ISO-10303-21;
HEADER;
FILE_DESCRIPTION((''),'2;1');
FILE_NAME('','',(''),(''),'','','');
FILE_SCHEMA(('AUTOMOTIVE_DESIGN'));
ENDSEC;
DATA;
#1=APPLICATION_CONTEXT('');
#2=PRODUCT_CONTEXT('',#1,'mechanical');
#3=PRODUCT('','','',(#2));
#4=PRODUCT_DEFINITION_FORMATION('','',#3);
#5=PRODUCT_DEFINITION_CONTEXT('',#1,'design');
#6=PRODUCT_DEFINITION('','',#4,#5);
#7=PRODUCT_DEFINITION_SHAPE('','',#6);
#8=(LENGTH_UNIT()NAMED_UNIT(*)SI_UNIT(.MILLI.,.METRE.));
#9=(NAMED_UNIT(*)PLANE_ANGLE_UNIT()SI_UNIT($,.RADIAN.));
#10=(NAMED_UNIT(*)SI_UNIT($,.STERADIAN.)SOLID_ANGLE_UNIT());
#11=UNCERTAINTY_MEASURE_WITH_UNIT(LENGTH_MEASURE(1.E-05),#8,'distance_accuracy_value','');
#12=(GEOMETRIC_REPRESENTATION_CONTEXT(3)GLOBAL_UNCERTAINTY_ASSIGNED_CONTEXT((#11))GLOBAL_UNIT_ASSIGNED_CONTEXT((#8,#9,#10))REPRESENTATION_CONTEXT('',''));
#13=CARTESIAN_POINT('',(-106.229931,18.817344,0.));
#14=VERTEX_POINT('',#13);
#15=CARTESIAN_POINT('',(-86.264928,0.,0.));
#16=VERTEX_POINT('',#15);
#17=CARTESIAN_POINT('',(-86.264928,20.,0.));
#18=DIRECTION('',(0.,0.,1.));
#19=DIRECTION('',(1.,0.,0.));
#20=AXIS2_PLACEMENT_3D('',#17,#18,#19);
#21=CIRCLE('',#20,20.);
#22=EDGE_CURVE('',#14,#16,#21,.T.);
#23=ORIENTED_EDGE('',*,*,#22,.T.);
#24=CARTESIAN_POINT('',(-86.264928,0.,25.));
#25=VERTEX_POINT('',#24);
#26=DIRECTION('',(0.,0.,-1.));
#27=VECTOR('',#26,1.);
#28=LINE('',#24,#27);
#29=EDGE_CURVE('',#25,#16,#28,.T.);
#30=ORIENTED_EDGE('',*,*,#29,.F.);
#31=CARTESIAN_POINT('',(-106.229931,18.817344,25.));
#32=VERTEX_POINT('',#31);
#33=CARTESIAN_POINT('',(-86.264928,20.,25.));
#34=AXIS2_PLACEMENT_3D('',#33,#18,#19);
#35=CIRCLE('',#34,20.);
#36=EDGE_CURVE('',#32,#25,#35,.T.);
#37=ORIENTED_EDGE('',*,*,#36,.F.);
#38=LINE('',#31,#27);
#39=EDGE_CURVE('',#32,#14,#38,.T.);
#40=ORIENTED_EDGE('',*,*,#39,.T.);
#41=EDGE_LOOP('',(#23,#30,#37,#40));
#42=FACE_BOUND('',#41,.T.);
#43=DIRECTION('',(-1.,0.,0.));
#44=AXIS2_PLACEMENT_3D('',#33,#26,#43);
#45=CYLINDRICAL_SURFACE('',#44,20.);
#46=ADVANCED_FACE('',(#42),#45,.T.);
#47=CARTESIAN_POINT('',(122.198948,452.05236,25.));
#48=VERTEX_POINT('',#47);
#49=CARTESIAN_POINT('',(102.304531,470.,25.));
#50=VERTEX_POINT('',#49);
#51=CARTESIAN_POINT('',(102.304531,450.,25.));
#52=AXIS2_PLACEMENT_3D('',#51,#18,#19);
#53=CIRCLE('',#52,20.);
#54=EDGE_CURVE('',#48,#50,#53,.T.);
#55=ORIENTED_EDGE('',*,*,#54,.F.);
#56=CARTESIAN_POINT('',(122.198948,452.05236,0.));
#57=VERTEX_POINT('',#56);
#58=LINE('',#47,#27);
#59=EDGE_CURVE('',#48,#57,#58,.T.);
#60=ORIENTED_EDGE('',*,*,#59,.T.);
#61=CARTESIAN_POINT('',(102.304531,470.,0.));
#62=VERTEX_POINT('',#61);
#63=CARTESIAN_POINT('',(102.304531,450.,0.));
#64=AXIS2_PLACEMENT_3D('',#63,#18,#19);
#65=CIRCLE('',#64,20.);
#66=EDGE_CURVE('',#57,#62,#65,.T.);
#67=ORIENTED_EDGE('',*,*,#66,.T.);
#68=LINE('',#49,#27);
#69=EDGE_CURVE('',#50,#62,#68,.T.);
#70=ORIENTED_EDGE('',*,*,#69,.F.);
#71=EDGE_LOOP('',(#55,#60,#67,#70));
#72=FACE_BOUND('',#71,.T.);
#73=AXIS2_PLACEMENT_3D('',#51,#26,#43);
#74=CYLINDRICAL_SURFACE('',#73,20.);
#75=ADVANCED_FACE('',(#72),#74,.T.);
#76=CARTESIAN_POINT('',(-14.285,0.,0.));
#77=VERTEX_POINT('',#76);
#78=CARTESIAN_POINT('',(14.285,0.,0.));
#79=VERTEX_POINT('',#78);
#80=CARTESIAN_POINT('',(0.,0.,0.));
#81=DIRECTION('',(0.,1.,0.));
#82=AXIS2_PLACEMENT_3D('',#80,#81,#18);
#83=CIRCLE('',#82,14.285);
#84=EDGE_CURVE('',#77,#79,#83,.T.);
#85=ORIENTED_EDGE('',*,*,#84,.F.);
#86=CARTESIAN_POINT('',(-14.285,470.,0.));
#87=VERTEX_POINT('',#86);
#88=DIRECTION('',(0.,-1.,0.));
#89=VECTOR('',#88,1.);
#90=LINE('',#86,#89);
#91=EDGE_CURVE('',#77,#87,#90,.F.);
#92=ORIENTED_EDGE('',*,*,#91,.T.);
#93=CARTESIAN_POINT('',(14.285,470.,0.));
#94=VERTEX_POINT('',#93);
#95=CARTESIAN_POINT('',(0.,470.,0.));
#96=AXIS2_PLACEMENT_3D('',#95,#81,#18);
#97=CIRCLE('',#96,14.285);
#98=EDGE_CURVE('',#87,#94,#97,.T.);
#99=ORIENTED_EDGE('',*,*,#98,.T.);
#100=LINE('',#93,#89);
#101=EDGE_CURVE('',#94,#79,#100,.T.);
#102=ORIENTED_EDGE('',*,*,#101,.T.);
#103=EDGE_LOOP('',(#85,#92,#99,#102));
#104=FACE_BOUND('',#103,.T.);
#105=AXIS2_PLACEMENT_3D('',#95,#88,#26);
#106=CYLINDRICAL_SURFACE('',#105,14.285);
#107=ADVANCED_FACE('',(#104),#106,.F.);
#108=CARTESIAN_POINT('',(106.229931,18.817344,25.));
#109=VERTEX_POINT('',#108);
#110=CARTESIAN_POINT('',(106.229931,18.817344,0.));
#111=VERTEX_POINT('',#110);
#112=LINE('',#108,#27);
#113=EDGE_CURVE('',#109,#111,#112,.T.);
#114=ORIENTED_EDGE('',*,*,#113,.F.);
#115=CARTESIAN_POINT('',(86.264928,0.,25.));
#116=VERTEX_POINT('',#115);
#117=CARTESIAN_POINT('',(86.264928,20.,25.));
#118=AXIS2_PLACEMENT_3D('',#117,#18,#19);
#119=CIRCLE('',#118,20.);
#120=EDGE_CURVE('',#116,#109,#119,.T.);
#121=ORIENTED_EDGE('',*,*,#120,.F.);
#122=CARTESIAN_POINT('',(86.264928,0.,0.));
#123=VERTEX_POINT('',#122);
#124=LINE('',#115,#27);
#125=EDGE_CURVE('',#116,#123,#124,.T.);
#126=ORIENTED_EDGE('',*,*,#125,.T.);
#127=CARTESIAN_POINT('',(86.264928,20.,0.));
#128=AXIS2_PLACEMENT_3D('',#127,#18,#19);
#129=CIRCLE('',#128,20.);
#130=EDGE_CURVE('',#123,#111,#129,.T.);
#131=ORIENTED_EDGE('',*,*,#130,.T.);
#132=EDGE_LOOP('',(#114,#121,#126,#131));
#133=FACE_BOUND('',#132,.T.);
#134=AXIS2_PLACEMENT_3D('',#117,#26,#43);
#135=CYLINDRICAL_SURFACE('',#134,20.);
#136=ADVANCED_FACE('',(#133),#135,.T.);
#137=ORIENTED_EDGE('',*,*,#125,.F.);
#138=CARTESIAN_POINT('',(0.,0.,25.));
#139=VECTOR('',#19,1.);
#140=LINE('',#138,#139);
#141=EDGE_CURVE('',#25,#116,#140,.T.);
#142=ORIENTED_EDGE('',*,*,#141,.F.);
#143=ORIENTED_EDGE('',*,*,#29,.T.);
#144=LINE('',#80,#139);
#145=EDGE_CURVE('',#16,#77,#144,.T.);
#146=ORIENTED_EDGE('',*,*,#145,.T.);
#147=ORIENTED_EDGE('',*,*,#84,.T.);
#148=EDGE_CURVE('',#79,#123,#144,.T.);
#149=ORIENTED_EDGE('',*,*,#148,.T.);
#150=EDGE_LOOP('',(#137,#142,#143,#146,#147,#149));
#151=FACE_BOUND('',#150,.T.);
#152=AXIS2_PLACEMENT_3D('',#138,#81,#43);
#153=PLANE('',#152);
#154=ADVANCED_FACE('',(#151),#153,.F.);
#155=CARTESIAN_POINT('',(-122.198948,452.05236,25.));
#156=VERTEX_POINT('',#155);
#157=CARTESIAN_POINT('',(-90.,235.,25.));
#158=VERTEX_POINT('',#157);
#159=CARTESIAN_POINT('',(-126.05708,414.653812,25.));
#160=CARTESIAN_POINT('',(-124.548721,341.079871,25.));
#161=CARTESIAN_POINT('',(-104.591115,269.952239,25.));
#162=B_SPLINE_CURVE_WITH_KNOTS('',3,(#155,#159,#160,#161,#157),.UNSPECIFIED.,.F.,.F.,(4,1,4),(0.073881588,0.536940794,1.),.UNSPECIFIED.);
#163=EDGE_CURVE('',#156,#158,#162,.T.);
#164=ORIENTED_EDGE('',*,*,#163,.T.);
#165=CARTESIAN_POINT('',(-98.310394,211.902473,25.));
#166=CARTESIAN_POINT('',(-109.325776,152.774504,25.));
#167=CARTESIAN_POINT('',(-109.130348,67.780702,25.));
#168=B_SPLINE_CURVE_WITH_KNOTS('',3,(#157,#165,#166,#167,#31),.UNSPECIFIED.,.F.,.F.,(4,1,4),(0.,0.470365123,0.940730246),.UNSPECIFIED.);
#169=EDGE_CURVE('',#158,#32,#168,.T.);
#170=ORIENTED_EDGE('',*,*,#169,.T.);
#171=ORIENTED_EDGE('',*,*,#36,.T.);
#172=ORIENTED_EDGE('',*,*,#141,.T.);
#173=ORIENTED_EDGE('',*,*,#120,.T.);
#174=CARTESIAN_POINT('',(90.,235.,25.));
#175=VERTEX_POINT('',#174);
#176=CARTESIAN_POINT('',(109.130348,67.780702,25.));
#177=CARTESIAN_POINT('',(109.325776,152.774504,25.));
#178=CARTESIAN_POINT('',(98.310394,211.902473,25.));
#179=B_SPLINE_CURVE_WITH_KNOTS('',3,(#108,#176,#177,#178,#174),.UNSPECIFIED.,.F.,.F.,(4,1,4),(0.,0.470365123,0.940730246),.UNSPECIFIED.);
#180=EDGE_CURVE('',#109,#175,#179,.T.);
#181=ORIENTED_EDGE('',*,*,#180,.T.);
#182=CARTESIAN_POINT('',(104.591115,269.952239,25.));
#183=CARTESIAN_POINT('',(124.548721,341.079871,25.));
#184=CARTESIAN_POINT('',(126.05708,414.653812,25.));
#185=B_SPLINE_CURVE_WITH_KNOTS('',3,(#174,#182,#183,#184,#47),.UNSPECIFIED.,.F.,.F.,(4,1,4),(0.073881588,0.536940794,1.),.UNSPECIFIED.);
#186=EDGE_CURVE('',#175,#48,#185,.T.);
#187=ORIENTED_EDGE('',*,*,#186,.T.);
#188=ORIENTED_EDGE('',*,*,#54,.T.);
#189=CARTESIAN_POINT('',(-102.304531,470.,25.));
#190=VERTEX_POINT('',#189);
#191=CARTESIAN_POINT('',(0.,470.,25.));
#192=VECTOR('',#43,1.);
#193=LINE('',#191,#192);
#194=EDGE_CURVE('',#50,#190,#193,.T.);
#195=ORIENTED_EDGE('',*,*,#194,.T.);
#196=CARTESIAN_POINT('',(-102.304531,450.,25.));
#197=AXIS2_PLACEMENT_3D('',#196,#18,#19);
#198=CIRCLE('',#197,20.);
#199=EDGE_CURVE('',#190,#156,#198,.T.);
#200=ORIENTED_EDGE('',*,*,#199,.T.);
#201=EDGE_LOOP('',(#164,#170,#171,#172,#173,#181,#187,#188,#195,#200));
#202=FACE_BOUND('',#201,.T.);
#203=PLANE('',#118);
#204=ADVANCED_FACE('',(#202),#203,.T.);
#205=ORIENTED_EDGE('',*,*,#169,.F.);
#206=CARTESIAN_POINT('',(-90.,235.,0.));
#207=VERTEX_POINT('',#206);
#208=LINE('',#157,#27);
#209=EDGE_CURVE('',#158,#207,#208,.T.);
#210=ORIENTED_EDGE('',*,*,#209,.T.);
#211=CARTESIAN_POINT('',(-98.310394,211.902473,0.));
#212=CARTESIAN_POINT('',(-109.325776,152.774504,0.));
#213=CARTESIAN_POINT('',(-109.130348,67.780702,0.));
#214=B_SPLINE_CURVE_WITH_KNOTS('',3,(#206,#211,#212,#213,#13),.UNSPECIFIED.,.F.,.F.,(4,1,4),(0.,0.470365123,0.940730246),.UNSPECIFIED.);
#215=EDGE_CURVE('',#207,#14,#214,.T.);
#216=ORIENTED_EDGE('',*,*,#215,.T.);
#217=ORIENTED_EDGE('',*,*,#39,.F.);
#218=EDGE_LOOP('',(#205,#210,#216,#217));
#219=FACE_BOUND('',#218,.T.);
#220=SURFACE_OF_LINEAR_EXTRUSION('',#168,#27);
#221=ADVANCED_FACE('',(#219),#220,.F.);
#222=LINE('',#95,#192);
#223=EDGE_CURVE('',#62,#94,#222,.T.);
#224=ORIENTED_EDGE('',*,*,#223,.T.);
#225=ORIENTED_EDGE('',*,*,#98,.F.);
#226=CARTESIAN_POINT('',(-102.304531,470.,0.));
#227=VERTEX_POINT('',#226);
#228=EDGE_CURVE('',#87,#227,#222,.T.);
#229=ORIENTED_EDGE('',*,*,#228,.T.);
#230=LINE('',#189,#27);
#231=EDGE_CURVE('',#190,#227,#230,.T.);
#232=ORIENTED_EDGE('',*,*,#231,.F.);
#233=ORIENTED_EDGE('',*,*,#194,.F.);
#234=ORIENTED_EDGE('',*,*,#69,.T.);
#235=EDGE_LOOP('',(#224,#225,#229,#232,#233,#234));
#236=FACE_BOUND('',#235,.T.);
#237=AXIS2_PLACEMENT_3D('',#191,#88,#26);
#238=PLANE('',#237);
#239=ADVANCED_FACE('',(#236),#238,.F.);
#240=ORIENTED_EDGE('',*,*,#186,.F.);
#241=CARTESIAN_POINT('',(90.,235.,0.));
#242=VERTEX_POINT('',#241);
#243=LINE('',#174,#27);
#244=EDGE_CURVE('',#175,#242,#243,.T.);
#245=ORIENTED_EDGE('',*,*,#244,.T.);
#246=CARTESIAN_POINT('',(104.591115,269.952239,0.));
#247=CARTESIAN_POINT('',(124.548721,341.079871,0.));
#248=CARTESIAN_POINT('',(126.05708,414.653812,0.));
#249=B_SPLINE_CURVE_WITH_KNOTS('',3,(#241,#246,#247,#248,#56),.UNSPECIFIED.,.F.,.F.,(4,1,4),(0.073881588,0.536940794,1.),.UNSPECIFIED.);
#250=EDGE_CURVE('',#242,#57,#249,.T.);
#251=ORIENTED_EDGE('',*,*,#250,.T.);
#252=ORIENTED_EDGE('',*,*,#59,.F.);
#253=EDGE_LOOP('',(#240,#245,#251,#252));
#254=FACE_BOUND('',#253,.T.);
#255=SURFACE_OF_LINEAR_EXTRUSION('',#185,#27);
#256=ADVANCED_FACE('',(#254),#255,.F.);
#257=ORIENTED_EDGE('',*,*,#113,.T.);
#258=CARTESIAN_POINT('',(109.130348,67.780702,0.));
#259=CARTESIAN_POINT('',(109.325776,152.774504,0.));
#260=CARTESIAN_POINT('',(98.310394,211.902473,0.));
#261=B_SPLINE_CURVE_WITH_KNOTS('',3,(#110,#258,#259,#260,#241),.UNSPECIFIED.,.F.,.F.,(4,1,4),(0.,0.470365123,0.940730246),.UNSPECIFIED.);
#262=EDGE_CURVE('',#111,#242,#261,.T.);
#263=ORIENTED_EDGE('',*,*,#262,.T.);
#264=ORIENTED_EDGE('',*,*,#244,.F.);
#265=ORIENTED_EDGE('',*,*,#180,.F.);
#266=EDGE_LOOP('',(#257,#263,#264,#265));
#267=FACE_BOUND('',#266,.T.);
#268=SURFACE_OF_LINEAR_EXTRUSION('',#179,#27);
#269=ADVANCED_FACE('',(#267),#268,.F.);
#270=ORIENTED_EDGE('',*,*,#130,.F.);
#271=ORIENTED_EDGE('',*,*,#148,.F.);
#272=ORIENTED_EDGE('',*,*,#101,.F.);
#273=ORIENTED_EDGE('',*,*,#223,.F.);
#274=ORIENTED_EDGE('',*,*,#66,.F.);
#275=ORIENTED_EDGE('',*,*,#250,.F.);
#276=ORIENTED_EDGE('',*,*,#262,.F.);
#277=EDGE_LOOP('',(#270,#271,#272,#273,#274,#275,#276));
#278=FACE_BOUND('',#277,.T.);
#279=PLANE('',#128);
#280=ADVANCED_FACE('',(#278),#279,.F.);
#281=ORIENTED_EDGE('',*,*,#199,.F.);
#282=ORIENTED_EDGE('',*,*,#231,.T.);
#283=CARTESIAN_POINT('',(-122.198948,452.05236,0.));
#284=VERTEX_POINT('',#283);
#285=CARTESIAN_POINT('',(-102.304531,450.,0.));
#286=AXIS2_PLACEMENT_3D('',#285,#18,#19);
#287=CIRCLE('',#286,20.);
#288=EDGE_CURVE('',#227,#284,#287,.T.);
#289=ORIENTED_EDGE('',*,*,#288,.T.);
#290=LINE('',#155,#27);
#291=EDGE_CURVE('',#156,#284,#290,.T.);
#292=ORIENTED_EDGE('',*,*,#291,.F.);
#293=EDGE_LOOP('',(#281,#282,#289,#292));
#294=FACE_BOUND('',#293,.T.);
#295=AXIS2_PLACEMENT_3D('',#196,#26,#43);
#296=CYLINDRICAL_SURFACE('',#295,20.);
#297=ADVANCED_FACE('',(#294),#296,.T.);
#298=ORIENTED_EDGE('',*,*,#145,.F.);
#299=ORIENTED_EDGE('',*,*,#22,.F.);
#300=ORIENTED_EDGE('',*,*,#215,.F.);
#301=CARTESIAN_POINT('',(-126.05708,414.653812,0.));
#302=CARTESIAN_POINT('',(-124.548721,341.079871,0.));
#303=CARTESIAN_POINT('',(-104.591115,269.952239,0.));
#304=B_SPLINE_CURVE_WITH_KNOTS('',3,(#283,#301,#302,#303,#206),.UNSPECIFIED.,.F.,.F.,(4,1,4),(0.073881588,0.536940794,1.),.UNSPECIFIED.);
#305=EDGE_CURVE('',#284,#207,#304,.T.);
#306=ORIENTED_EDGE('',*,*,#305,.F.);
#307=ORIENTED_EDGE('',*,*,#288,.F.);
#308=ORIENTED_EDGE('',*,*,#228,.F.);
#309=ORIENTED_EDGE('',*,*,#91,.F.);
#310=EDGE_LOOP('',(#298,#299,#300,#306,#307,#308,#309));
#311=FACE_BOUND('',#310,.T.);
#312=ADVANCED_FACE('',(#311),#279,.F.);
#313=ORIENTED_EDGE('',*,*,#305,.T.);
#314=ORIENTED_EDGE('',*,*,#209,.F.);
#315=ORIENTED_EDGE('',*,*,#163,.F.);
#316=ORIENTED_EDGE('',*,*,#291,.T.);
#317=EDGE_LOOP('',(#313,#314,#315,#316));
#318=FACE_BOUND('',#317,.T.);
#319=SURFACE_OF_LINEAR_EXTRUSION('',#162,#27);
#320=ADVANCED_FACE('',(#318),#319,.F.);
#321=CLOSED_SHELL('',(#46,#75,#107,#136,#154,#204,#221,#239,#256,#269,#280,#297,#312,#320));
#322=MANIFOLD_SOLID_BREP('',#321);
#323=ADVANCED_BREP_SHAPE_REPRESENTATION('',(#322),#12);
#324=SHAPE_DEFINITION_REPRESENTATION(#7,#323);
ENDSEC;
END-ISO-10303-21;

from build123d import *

# Parameters (mm, degrees)
BOSS_EXTRUDE1_DEPTH = 25
SKETCH2_R           = 14.285
CUT_EXTRUDE1_DEPTH  = 487.882938036


with BuildPart() as part:
    # Sketch1 → Boss-Extrude1 (new body)
    with BuildSketch(Plane.XY):
        with BuildLine():
            Line((0, 470), (102.304530941, 470))
            ThreePointArc((102.304530941, 470), (115.701411141, 464.850037068), (122.198947697, 452.052360092))
            add(Edge.make_bspline(
                [(122.198947697, 452.052360092), (126.05707976, 414.653812215), (124.54872054, 341.079870989), (104.591114629, 269.95223882), (90, 235)],
                knots=[0.073881588, 0.073881588, 0.073881588, 0.073881588, 0.536940794, 1, 1, 1, 1], degree=3))
            add(Edge.make_bspline(
                [(90, 235), (98.310393886, 211.902473229), (109.325776263, 152.77450372), (109.130347847, 67.78070228), (106.22993094, 18.817343576)],
                knots=[0, 0, 0, 0, 0.470365123, 0.940730246, 0.940730246, 0.940730246, 0.940730246], degree=3))
            ThreePointArc((106.22993094, 18.817343576), (99.982560761, 5.445737249), (86.264928467, 0))
            Line((86.264928467, 0), (0, 0))
            Line((0, 0), (-86.264928467, 0))
            ThreePointArc((-86.264928467, 0), (-99.982560761, 5.445737249), (-106.22993094, 18.817343576))
            add(Edge.make_bspline(
                [(-90, 235), (-98.310393886, 211.902473229), (-109.325776263, 152.77450372), (-109.130347847, 67.78070228), (-106.22993094, 18.817343576)],
                knots=[0, 0, 0, 0, 0.470365123, 0.940730246, 0.940730246, 0.940730246, 0.940730246], degree=3))
            add(Edge.make_bspline(
                [(-122.198947697, 452.052360092), (-126.05707976, 414.653812215), (-124.54872054, 341.079870989), (-104.591114629, 269.95223882), (-90, 235)],
                knots=[0.073881588, 0.073881588, 0.073881588, 0.073881588, 0.536940794, 1, 1, 1, 1], degree=3))
            ThreePointArc((-122.198947697, 452.052360092), (-115.701411141, 464.850037068), (-102.304530941, 470))
            Line((-102.304530941, 470), (0, 470))
        make_face()
    extrude(amount=BOSS_EXTRUDE1_DEPTH)

    # Sketch2 → Cut-Extrude1 (cut, through all)
    with BuildSketch(Plane(origin=(0, 0, 0), x_dir=(1, 0, 0), z_dir=(0, 1, 0))):
        Circle(SKETCH2_R)
    extrude(amount=CUT_EXTRUDE1_DEPTH, mode=Mode.SUBTRACT)


solid = part.part
